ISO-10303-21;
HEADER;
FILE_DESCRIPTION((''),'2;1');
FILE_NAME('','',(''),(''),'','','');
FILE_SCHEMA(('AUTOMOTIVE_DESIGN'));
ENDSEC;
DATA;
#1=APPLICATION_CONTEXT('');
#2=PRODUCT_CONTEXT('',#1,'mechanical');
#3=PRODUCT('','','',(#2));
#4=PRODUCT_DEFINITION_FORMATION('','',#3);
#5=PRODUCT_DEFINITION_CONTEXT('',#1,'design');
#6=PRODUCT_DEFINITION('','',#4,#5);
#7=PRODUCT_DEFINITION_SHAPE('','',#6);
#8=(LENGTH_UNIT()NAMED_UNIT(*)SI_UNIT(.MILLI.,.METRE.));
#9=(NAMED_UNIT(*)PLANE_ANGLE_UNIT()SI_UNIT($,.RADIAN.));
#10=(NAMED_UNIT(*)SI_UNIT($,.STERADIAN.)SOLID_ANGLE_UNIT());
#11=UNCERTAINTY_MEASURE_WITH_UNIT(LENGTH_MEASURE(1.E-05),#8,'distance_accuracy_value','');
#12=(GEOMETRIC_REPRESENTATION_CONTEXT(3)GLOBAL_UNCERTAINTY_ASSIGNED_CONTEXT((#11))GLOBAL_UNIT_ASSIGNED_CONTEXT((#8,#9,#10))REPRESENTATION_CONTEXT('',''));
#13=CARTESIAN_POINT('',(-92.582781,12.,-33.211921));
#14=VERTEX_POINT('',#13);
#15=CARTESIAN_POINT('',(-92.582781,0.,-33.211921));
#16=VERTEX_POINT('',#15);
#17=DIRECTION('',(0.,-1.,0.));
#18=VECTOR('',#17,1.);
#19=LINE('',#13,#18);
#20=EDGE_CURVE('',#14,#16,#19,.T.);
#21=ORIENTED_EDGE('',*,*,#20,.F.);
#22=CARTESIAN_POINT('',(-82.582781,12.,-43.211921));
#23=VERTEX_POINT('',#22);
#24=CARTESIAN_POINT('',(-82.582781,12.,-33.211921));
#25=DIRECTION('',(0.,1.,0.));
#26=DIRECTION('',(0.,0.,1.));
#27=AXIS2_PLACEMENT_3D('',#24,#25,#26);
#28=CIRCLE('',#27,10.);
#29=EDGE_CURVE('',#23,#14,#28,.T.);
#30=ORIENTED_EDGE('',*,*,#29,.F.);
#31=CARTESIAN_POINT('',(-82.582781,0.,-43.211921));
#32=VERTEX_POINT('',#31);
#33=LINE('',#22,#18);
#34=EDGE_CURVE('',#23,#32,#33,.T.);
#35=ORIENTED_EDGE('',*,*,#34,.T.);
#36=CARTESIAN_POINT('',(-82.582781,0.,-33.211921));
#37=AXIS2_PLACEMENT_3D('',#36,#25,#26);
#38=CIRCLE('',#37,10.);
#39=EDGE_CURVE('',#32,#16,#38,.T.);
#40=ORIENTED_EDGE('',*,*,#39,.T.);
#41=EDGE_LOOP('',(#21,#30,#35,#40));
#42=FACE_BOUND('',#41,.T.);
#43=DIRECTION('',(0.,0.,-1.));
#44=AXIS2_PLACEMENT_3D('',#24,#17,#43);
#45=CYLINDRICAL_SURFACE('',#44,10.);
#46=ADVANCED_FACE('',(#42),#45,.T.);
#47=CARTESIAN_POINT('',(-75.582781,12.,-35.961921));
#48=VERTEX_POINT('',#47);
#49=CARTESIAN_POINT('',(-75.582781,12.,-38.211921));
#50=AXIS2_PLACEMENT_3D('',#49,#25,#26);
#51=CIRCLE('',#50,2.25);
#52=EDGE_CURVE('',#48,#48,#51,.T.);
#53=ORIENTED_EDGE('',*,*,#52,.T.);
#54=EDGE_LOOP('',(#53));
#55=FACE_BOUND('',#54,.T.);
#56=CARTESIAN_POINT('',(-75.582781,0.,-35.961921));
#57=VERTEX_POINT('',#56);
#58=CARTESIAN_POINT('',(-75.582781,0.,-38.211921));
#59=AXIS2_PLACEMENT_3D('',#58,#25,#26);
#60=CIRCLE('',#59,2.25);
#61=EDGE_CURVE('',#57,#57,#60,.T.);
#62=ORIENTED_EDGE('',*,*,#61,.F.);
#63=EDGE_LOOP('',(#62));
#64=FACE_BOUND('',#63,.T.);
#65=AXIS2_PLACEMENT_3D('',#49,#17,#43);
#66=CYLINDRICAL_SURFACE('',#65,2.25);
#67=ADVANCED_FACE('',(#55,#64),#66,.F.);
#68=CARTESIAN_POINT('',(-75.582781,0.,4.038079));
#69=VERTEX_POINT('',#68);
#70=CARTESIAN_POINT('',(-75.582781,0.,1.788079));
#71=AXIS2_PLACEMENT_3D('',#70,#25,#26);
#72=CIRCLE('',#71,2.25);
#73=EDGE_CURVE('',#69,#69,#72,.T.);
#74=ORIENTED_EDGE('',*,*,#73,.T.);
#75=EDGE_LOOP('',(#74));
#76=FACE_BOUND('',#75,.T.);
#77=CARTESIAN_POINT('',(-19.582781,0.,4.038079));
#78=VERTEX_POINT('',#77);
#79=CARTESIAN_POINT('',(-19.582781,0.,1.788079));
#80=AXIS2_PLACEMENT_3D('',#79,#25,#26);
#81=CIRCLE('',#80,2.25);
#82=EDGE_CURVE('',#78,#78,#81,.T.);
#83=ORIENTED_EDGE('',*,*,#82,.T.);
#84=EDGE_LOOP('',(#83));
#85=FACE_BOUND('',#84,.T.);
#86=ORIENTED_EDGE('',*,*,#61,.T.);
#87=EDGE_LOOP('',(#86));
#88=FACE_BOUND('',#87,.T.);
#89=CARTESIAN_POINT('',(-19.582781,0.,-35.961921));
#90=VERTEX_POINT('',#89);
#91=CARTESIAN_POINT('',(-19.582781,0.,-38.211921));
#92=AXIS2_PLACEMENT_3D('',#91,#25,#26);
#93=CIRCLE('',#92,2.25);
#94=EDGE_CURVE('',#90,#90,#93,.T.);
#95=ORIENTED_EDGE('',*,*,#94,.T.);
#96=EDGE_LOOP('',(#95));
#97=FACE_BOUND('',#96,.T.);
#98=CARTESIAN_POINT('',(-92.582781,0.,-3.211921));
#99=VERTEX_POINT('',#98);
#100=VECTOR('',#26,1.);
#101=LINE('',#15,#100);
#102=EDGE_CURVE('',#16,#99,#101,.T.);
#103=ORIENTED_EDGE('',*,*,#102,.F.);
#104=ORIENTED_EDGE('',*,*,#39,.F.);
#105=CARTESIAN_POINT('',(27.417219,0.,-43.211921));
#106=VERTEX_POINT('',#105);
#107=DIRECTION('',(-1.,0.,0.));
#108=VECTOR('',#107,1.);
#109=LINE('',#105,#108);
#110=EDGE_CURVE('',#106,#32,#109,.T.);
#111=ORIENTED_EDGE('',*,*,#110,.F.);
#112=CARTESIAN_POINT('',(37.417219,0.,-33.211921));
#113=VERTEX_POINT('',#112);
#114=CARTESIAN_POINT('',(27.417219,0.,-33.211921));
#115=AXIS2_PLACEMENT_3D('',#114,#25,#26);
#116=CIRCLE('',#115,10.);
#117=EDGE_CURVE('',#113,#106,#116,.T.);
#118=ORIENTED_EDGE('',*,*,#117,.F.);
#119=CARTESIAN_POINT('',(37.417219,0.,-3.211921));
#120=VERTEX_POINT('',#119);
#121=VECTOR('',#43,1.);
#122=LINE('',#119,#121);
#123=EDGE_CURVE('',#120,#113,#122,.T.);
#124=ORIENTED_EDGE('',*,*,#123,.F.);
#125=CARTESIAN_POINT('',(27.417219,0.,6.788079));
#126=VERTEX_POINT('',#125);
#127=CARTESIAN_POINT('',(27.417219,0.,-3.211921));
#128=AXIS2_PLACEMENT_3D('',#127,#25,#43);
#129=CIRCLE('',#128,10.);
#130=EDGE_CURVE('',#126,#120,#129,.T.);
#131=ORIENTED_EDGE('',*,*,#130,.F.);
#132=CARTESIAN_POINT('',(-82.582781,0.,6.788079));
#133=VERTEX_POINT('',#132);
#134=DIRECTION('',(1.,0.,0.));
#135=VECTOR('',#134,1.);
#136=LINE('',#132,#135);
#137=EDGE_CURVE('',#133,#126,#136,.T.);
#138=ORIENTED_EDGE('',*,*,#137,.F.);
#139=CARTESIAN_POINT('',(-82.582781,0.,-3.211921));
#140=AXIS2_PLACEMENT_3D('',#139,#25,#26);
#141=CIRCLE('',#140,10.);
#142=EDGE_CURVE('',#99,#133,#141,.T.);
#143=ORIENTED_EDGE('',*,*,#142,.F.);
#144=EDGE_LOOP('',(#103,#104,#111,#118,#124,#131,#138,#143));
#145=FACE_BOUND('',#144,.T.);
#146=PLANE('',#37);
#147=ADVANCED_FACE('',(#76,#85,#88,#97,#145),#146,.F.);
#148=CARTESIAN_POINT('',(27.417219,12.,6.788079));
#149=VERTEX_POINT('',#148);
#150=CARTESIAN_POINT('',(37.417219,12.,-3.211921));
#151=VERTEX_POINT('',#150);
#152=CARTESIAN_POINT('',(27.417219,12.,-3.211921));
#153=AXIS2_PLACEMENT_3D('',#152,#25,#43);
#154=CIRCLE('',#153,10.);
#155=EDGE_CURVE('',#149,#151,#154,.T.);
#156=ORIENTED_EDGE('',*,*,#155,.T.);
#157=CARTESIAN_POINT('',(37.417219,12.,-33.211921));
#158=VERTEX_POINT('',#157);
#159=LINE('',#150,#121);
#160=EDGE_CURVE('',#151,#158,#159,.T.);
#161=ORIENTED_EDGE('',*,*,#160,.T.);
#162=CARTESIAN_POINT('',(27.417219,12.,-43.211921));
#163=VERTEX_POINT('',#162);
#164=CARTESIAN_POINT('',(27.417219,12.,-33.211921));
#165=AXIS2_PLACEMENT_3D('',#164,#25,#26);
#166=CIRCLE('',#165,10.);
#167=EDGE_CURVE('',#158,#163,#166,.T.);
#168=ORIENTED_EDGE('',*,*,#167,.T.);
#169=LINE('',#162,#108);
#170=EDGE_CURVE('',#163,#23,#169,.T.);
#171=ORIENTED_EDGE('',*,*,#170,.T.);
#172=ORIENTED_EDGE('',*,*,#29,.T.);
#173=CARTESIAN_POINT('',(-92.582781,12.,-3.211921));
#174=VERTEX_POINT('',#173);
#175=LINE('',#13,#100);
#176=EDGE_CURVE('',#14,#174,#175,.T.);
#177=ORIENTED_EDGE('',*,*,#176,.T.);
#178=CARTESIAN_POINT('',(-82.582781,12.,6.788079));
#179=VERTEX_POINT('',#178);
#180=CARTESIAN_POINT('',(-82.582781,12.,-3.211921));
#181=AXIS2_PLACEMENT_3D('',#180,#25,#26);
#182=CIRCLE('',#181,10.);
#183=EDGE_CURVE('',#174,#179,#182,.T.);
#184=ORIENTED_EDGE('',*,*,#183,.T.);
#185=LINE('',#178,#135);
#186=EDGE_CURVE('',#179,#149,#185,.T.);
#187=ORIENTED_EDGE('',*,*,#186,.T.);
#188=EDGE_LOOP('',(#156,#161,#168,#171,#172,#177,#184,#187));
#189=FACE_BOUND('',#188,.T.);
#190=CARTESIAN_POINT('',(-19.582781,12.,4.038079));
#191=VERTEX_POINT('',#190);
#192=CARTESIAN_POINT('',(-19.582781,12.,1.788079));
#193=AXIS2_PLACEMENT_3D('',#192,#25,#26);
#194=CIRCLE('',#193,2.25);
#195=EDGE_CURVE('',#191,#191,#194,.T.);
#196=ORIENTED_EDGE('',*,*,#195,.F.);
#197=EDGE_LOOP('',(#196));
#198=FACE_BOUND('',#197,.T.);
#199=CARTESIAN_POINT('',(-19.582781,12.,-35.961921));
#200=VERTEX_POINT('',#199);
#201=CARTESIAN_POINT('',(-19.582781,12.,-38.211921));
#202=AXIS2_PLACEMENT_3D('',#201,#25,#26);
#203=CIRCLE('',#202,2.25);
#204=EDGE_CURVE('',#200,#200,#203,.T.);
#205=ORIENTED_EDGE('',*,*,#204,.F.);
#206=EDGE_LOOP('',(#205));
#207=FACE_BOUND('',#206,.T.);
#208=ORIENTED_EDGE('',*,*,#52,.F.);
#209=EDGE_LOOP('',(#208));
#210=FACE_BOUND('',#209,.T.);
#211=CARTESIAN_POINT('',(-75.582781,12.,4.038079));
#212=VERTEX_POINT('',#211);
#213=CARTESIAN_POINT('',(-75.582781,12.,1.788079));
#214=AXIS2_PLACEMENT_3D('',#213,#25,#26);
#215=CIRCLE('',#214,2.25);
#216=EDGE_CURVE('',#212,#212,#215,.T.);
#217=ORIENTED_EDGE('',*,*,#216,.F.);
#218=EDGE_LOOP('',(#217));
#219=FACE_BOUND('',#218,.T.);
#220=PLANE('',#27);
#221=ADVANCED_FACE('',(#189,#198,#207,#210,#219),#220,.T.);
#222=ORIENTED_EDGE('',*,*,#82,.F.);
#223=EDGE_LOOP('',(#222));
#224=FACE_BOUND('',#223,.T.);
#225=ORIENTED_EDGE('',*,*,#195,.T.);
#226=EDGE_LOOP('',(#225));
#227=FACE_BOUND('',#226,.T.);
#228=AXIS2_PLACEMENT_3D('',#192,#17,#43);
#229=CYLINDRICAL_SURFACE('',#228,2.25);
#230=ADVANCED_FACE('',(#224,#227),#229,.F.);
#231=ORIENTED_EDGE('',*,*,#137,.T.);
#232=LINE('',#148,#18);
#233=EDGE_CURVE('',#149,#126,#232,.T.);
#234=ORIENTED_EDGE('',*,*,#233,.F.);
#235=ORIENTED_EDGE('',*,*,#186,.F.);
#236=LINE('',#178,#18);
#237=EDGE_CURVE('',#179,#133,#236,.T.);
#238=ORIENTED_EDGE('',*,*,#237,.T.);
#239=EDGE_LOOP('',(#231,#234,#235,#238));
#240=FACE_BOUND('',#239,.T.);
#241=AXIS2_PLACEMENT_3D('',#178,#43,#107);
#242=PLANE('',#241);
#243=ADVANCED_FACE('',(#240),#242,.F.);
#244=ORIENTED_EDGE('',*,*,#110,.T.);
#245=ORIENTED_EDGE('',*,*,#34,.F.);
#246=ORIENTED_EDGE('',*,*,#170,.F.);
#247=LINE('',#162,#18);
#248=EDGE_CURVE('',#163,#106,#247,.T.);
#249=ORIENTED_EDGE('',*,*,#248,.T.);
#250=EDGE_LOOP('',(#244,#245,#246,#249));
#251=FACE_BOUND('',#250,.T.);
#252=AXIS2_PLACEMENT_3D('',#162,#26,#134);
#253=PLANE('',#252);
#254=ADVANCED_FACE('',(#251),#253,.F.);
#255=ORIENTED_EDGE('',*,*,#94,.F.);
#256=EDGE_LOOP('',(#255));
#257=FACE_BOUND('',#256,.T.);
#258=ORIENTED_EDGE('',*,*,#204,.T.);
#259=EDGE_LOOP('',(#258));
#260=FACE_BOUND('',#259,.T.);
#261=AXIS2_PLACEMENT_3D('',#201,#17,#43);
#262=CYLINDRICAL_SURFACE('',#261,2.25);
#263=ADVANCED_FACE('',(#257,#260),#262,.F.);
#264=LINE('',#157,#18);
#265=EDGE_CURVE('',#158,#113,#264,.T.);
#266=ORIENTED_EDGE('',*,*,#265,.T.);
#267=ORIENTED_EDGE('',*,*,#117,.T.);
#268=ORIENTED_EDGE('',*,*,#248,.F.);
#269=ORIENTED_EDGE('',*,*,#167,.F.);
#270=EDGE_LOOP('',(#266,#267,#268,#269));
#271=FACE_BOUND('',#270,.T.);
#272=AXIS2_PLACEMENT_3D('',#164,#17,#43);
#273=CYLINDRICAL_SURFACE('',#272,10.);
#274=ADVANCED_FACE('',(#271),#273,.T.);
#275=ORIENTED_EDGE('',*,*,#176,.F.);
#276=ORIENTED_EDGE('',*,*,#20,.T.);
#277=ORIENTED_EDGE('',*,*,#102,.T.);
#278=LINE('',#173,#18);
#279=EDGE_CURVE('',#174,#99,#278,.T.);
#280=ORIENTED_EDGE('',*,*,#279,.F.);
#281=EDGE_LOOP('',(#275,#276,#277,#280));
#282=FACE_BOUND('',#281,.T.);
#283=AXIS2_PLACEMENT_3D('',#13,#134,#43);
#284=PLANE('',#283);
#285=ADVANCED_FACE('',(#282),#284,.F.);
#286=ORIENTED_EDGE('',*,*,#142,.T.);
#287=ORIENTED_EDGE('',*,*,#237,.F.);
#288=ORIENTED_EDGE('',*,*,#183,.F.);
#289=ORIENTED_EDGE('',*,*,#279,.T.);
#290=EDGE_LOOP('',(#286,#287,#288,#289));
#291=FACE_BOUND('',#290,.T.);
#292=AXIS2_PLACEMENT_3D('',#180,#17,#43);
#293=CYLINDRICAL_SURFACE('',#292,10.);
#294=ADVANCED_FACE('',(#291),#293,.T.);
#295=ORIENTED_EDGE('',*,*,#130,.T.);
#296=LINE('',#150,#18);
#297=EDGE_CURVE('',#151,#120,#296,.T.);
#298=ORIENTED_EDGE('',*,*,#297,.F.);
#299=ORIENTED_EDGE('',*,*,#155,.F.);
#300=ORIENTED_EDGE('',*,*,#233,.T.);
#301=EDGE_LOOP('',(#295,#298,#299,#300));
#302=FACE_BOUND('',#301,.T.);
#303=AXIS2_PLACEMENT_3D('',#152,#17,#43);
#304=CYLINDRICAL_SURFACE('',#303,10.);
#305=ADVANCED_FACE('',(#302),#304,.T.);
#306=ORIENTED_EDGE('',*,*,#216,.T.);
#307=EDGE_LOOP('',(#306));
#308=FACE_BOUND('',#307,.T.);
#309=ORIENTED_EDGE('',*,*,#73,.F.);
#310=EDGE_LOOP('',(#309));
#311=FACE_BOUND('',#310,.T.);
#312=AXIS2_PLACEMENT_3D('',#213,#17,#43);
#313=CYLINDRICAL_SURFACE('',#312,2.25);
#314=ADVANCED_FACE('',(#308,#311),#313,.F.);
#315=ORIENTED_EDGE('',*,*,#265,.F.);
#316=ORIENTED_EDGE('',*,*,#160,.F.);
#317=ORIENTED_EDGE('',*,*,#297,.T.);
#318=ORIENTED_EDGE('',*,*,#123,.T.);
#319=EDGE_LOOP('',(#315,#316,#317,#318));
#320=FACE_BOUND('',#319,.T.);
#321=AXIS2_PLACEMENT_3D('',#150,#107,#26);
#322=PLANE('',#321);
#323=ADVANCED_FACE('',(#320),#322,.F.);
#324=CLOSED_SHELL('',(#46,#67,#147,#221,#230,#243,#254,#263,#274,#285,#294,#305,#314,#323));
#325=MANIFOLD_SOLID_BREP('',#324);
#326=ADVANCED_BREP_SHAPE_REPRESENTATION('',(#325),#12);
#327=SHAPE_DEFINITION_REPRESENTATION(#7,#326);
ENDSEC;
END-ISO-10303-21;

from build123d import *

# Parameters (mm, degrees)
CROQUIS1_R              = 2.25
SALIENTE_EXTRUIR1_DEPTH = 12


with BuildPart() as part:
    # Croquis1 → Saliente-Extruir1 (new body)
    with BuildSketch(Plane(origin=(0, 0, 0), x_dir=(1, 0, 0), z_dir=(0, 1, 0))):
        with BuildLine():
            Line((-92.582781457, 33.21192053), (-92.582781457, 3.21192053))
            ThreePointArc((-92.582781457, 3.21192053), (-89.653849269, -3.859147282), (-82.582781457, -6.78807947))
            Line((-82.582781457, -6.78807947), (27.417218543, -6.78807947))
            ThreePointArc((27.417218543, -6.78807947), (34.488286355, -3.859147282), (37.417218543, 3.21192053))
            Line((37.417218543, 3.21192053), (37.417218543, 33.21192053))
            ThreePointArc((37.417218543, 33.21192053), (34.488286355, 40.282988342), (27.417218543, 43.21192053))
            Line((27.417218543, 43.21192053), (-82.582781457, 43.21192053))
            ThreePointArc((-82.582781457, 43.21192053), (-89.653849269, 40.282988342), (-92.582781457, 33.21192053))
        make_face()
        with Locations(Location((-19.582781457, -1.78807947, 0), (0, 0, 270))):
            Circle(CROQUIS1_R, mode=Mode.SUBTRACT)
        with Locations(Location((-19.582781457, 38.21192053, 0), (0, 0, 270))):
            Circle(CROQUIS1_R, mode=Mode.SUBTRACT)
        with Locations(Location((-75.582781457, 38.21192053, 0), (0, 0, 270))):
            Circle(CROQUIS1_R, mode=Mode.SUBTRACT)
        with Locations(Location((-75.582781457, -1.78807947, 0), (0, 0, 270))):
            Circle(CROQUIS1_R, mode=Mode.SUBTRACT)
    extrude(amount=SALIENTE_EXTRUIR1_DEPTH)


solid = part.part
